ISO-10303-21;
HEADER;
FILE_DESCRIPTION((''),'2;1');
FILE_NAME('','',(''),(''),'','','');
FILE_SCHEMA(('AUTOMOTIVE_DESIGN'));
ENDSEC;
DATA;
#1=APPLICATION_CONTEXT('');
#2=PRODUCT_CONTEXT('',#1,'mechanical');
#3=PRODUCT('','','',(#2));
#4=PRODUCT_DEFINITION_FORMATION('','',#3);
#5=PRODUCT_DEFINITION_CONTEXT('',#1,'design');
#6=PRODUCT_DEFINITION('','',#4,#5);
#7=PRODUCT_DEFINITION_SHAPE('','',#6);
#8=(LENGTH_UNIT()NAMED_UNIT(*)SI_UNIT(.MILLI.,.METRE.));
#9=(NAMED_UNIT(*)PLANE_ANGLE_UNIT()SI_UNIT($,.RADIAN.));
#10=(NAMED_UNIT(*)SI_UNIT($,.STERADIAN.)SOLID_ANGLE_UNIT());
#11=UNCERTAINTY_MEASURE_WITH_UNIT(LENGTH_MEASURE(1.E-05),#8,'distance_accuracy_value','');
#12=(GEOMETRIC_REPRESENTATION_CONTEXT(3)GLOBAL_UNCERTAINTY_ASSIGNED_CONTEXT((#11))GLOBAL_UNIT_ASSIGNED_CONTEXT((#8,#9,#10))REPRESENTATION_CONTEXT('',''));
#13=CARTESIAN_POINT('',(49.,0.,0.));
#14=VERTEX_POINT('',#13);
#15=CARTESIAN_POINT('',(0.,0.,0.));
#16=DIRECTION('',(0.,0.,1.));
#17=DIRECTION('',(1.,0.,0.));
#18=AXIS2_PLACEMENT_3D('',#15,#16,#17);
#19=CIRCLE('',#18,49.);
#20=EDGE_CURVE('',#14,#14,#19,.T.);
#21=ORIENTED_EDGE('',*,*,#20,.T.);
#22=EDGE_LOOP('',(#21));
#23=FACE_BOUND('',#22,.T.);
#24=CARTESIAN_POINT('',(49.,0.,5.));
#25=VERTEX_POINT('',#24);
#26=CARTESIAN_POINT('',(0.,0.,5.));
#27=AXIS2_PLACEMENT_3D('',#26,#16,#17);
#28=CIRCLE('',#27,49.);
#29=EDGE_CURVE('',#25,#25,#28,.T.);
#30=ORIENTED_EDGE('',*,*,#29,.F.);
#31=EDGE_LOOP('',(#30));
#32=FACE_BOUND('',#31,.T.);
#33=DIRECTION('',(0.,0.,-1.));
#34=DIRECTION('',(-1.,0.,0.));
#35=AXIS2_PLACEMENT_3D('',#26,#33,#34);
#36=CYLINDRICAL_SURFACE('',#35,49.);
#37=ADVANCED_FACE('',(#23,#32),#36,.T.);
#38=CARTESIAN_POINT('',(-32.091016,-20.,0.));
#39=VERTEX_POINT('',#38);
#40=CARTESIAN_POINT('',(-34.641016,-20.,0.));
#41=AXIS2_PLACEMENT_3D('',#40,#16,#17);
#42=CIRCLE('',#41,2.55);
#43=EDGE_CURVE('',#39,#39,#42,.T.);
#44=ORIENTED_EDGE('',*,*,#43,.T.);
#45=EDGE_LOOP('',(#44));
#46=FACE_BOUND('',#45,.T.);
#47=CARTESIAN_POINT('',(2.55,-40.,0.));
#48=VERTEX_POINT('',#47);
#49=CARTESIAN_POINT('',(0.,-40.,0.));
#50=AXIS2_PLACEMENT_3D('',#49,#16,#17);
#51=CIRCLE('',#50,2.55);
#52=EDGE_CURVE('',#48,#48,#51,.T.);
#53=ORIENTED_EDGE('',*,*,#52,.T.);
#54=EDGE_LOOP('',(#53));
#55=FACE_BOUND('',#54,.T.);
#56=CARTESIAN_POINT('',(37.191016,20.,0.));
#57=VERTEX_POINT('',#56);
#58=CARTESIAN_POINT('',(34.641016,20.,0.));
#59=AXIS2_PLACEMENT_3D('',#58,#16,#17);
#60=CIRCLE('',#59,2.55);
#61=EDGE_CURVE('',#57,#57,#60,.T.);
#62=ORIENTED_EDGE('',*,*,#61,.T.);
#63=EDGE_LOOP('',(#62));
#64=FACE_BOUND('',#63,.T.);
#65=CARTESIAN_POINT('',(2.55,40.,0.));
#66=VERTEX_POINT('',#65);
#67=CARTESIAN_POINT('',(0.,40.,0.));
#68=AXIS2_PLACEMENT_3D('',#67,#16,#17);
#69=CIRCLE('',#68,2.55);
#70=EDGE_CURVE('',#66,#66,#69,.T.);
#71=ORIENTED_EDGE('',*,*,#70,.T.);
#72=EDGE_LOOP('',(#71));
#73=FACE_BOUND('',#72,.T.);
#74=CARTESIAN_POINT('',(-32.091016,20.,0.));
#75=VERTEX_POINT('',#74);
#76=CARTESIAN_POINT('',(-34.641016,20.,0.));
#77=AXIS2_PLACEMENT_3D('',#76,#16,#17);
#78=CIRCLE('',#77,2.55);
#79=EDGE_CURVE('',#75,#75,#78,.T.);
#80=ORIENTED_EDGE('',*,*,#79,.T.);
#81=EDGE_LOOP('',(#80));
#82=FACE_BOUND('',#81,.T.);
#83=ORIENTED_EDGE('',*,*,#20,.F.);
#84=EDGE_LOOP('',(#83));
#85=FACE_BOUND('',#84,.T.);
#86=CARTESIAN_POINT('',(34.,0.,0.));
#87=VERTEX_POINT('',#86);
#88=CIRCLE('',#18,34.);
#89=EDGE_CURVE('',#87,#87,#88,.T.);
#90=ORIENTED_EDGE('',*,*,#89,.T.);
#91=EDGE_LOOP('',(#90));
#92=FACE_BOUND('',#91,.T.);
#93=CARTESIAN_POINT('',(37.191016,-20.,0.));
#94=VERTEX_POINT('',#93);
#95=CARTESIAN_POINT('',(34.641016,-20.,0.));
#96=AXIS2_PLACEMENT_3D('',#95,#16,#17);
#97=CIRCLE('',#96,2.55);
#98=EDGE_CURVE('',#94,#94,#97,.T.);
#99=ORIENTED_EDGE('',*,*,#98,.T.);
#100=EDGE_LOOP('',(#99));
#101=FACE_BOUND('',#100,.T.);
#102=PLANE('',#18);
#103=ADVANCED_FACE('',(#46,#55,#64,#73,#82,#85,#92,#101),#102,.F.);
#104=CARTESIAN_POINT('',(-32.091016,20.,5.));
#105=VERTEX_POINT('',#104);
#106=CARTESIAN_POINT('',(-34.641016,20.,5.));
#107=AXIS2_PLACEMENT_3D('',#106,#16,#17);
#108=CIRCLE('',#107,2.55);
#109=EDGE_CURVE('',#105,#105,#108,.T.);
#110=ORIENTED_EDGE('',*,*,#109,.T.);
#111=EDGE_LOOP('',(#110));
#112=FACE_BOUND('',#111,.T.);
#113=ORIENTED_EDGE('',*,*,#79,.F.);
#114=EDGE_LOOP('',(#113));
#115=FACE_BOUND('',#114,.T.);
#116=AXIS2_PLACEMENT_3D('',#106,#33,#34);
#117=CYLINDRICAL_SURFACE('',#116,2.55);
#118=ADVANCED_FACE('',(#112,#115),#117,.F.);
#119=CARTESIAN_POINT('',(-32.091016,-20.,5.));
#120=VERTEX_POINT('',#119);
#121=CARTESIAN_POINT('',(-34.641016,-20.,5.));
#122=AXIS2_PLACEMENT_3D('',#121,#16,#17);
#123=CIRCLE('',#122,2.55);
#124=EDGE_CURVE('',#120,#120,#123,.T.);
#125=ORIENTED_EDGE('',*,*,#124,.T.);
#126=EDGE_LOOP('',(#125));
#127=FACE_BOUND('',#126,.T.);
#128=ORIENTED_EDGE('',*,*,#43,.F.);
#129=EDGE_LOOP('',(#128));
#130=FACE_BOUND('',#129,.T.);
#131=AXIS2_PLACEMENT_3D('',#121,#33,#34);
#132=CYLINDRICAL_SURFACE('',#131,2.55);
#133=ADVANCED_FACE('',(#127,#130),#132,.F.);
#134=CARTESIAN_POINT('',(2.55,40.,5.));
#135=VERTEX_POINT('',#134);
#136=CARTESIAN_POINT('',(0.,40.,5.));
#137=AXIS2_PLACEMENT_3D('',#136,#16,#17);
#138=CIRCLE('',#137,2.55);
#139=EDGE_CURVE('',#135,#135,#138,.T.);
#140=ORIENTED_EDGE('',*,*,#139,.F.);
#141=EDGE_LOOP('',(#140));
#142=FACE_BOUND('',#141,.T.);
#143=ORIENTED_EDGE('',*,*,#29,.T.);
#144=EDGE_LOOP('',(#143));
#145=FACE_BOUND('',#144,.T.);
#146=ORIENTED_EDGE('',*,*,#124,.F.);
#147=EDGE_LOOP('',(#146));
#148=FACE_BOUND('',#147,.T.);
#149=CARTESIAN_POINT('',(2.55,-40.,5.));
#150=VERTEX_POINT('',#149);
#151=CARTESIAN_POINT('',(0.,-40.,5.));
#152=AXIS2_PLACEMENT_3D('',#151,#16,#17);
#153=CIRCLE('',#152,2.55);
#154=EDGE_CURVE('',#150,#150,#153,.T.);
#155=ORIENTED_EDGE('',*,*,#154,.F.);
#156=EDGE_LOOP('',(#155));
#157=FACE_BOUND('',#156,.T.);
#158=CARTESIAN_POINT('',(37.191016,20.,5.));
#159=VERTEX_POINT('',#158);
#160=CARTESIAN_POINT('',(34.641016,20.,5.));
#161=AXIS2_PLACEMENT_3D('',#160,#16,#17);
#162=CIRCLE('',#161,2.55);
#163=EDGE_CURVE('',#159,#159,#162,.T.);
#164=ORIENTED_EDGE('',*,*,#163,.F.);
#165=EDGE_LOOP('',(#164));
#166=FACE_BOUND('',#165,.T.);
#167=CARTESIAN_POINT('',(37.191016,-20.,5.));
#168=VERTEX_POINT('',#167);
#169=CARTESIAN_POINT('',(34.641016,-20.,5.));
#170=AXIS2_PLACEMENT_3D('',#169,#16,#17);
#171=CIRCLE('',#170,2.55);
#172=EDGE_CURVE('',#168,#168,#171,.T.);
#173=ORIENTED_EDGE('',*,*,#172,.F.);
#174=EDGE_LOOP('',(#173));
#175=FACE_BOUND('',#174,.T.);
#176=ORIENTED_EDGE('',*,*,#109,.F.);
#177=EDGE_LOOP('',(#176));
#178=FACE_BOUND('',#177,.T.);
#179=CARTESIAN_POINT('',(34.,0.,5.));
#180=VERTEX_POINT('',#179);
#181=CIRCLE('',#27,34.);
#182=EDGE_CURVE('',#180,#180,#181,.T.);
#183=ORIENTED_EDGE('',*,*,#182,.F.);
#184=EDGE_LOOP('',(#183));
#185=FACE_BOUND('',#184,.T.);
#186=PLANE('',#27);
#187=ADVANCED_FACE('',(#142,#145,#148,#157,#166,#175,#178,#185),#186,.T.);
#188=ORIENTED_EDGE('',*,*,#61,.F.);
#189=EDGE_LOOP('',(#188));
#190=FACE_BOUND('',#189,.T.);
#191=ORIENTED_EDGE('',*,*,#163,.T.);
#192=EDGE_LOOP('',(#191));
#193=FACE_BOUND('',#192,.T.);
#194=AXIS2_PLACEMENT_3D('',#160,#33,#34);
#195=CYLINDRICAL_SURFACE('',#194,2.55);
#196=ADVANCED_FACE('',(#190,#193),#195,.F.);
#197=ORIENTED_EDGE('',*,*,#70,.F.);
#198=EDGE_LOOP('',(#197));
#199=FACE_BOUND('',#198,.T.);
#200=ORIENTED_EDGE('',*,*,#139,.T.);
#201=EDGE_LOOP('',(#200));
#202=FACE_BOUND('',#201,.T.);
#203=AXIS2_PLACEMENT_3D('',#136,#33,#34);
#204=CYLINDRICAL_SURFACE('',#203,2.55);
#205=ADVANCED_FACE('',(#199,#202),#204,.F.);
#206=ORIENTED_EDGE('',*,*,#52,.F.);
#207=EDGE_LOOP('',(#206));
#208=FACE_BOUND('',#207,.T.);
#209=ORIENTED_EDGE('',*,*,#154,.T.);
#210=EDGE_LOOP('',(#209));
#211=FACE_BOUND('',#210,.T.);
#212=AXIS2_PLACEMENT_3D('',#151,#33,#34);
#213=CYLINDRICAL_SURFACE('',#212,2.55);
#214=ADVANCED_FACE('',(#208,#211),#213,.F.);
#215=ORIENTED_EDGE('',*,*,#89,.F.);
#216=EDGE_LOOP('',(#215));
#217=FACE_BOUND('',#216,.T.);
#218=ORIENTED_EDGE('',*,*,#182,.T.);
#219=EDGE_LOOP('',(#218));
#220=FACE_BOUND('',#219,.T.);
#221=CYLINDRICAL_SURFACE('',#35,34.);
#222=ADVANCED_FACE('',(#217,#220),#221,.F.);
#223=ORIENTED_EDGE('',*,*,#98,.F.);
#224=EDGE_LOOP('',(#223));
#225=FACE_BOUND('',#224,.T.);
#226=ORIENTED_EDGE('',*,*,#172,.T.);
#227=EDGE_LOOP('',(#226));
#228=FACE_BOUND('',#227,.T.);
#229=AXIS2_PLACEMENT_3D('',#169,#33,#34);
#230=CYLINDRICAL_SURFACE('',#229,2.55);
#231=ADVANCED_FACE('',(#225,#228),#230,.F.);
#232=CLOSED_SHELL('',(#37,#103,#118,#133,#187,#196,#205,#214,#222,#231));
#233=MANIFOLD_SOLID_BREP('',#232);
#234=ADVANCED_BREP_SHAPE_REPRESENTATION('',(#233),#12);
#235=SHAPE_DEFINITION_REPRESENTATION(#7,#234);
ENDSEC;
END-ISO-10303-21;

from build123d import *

# Parameters (mm, degrees)
SKETCH1_R           = 49
SKETCH1_R_2         = 34
BOSS_EXTRUDE1_DEPTH = 5
SKETCH2_R           = 2.55
CUT_EXTRUDE1_DEPTH  = 70.476614771


with BuildPart() as part:
    # Sketch1 → Boss-Extrude1 (new body)
    with BuildSketch(Plane.XY):
        Circle(SKETCH1_R)
        Circle(SKETCH1_R_2, mode=Mode.SUBTRACT)
    extrude(amount=BOSS_EXTRUDE1_DEPTH)

    # Sketch2 → Cut-Extrude1 (cut, through all)
    with BuildSketch(Plane.XY):
        with Locations((0, 40)):
            Circle(SKETCH2_R)
        with Locations((34.641016151, 20)):
            Circle(SKETCH2_R)
        with Locations((34.641016151, -20)):
            Circle(SKETCH2_R)
        with Locations((0, -40)):
            Circle(SKETCH2_R)
        with Locations((-34.641016151, -20)):
            Circle(SKETCH2_R)
        with Locations((-34.641016151, 20)):
            Circle(SKETCH2_R)
    extrude(amount=CUT_EXTRUDE1_DEPTH, mode=Mode.SUBTRACT)


solid = part.part
